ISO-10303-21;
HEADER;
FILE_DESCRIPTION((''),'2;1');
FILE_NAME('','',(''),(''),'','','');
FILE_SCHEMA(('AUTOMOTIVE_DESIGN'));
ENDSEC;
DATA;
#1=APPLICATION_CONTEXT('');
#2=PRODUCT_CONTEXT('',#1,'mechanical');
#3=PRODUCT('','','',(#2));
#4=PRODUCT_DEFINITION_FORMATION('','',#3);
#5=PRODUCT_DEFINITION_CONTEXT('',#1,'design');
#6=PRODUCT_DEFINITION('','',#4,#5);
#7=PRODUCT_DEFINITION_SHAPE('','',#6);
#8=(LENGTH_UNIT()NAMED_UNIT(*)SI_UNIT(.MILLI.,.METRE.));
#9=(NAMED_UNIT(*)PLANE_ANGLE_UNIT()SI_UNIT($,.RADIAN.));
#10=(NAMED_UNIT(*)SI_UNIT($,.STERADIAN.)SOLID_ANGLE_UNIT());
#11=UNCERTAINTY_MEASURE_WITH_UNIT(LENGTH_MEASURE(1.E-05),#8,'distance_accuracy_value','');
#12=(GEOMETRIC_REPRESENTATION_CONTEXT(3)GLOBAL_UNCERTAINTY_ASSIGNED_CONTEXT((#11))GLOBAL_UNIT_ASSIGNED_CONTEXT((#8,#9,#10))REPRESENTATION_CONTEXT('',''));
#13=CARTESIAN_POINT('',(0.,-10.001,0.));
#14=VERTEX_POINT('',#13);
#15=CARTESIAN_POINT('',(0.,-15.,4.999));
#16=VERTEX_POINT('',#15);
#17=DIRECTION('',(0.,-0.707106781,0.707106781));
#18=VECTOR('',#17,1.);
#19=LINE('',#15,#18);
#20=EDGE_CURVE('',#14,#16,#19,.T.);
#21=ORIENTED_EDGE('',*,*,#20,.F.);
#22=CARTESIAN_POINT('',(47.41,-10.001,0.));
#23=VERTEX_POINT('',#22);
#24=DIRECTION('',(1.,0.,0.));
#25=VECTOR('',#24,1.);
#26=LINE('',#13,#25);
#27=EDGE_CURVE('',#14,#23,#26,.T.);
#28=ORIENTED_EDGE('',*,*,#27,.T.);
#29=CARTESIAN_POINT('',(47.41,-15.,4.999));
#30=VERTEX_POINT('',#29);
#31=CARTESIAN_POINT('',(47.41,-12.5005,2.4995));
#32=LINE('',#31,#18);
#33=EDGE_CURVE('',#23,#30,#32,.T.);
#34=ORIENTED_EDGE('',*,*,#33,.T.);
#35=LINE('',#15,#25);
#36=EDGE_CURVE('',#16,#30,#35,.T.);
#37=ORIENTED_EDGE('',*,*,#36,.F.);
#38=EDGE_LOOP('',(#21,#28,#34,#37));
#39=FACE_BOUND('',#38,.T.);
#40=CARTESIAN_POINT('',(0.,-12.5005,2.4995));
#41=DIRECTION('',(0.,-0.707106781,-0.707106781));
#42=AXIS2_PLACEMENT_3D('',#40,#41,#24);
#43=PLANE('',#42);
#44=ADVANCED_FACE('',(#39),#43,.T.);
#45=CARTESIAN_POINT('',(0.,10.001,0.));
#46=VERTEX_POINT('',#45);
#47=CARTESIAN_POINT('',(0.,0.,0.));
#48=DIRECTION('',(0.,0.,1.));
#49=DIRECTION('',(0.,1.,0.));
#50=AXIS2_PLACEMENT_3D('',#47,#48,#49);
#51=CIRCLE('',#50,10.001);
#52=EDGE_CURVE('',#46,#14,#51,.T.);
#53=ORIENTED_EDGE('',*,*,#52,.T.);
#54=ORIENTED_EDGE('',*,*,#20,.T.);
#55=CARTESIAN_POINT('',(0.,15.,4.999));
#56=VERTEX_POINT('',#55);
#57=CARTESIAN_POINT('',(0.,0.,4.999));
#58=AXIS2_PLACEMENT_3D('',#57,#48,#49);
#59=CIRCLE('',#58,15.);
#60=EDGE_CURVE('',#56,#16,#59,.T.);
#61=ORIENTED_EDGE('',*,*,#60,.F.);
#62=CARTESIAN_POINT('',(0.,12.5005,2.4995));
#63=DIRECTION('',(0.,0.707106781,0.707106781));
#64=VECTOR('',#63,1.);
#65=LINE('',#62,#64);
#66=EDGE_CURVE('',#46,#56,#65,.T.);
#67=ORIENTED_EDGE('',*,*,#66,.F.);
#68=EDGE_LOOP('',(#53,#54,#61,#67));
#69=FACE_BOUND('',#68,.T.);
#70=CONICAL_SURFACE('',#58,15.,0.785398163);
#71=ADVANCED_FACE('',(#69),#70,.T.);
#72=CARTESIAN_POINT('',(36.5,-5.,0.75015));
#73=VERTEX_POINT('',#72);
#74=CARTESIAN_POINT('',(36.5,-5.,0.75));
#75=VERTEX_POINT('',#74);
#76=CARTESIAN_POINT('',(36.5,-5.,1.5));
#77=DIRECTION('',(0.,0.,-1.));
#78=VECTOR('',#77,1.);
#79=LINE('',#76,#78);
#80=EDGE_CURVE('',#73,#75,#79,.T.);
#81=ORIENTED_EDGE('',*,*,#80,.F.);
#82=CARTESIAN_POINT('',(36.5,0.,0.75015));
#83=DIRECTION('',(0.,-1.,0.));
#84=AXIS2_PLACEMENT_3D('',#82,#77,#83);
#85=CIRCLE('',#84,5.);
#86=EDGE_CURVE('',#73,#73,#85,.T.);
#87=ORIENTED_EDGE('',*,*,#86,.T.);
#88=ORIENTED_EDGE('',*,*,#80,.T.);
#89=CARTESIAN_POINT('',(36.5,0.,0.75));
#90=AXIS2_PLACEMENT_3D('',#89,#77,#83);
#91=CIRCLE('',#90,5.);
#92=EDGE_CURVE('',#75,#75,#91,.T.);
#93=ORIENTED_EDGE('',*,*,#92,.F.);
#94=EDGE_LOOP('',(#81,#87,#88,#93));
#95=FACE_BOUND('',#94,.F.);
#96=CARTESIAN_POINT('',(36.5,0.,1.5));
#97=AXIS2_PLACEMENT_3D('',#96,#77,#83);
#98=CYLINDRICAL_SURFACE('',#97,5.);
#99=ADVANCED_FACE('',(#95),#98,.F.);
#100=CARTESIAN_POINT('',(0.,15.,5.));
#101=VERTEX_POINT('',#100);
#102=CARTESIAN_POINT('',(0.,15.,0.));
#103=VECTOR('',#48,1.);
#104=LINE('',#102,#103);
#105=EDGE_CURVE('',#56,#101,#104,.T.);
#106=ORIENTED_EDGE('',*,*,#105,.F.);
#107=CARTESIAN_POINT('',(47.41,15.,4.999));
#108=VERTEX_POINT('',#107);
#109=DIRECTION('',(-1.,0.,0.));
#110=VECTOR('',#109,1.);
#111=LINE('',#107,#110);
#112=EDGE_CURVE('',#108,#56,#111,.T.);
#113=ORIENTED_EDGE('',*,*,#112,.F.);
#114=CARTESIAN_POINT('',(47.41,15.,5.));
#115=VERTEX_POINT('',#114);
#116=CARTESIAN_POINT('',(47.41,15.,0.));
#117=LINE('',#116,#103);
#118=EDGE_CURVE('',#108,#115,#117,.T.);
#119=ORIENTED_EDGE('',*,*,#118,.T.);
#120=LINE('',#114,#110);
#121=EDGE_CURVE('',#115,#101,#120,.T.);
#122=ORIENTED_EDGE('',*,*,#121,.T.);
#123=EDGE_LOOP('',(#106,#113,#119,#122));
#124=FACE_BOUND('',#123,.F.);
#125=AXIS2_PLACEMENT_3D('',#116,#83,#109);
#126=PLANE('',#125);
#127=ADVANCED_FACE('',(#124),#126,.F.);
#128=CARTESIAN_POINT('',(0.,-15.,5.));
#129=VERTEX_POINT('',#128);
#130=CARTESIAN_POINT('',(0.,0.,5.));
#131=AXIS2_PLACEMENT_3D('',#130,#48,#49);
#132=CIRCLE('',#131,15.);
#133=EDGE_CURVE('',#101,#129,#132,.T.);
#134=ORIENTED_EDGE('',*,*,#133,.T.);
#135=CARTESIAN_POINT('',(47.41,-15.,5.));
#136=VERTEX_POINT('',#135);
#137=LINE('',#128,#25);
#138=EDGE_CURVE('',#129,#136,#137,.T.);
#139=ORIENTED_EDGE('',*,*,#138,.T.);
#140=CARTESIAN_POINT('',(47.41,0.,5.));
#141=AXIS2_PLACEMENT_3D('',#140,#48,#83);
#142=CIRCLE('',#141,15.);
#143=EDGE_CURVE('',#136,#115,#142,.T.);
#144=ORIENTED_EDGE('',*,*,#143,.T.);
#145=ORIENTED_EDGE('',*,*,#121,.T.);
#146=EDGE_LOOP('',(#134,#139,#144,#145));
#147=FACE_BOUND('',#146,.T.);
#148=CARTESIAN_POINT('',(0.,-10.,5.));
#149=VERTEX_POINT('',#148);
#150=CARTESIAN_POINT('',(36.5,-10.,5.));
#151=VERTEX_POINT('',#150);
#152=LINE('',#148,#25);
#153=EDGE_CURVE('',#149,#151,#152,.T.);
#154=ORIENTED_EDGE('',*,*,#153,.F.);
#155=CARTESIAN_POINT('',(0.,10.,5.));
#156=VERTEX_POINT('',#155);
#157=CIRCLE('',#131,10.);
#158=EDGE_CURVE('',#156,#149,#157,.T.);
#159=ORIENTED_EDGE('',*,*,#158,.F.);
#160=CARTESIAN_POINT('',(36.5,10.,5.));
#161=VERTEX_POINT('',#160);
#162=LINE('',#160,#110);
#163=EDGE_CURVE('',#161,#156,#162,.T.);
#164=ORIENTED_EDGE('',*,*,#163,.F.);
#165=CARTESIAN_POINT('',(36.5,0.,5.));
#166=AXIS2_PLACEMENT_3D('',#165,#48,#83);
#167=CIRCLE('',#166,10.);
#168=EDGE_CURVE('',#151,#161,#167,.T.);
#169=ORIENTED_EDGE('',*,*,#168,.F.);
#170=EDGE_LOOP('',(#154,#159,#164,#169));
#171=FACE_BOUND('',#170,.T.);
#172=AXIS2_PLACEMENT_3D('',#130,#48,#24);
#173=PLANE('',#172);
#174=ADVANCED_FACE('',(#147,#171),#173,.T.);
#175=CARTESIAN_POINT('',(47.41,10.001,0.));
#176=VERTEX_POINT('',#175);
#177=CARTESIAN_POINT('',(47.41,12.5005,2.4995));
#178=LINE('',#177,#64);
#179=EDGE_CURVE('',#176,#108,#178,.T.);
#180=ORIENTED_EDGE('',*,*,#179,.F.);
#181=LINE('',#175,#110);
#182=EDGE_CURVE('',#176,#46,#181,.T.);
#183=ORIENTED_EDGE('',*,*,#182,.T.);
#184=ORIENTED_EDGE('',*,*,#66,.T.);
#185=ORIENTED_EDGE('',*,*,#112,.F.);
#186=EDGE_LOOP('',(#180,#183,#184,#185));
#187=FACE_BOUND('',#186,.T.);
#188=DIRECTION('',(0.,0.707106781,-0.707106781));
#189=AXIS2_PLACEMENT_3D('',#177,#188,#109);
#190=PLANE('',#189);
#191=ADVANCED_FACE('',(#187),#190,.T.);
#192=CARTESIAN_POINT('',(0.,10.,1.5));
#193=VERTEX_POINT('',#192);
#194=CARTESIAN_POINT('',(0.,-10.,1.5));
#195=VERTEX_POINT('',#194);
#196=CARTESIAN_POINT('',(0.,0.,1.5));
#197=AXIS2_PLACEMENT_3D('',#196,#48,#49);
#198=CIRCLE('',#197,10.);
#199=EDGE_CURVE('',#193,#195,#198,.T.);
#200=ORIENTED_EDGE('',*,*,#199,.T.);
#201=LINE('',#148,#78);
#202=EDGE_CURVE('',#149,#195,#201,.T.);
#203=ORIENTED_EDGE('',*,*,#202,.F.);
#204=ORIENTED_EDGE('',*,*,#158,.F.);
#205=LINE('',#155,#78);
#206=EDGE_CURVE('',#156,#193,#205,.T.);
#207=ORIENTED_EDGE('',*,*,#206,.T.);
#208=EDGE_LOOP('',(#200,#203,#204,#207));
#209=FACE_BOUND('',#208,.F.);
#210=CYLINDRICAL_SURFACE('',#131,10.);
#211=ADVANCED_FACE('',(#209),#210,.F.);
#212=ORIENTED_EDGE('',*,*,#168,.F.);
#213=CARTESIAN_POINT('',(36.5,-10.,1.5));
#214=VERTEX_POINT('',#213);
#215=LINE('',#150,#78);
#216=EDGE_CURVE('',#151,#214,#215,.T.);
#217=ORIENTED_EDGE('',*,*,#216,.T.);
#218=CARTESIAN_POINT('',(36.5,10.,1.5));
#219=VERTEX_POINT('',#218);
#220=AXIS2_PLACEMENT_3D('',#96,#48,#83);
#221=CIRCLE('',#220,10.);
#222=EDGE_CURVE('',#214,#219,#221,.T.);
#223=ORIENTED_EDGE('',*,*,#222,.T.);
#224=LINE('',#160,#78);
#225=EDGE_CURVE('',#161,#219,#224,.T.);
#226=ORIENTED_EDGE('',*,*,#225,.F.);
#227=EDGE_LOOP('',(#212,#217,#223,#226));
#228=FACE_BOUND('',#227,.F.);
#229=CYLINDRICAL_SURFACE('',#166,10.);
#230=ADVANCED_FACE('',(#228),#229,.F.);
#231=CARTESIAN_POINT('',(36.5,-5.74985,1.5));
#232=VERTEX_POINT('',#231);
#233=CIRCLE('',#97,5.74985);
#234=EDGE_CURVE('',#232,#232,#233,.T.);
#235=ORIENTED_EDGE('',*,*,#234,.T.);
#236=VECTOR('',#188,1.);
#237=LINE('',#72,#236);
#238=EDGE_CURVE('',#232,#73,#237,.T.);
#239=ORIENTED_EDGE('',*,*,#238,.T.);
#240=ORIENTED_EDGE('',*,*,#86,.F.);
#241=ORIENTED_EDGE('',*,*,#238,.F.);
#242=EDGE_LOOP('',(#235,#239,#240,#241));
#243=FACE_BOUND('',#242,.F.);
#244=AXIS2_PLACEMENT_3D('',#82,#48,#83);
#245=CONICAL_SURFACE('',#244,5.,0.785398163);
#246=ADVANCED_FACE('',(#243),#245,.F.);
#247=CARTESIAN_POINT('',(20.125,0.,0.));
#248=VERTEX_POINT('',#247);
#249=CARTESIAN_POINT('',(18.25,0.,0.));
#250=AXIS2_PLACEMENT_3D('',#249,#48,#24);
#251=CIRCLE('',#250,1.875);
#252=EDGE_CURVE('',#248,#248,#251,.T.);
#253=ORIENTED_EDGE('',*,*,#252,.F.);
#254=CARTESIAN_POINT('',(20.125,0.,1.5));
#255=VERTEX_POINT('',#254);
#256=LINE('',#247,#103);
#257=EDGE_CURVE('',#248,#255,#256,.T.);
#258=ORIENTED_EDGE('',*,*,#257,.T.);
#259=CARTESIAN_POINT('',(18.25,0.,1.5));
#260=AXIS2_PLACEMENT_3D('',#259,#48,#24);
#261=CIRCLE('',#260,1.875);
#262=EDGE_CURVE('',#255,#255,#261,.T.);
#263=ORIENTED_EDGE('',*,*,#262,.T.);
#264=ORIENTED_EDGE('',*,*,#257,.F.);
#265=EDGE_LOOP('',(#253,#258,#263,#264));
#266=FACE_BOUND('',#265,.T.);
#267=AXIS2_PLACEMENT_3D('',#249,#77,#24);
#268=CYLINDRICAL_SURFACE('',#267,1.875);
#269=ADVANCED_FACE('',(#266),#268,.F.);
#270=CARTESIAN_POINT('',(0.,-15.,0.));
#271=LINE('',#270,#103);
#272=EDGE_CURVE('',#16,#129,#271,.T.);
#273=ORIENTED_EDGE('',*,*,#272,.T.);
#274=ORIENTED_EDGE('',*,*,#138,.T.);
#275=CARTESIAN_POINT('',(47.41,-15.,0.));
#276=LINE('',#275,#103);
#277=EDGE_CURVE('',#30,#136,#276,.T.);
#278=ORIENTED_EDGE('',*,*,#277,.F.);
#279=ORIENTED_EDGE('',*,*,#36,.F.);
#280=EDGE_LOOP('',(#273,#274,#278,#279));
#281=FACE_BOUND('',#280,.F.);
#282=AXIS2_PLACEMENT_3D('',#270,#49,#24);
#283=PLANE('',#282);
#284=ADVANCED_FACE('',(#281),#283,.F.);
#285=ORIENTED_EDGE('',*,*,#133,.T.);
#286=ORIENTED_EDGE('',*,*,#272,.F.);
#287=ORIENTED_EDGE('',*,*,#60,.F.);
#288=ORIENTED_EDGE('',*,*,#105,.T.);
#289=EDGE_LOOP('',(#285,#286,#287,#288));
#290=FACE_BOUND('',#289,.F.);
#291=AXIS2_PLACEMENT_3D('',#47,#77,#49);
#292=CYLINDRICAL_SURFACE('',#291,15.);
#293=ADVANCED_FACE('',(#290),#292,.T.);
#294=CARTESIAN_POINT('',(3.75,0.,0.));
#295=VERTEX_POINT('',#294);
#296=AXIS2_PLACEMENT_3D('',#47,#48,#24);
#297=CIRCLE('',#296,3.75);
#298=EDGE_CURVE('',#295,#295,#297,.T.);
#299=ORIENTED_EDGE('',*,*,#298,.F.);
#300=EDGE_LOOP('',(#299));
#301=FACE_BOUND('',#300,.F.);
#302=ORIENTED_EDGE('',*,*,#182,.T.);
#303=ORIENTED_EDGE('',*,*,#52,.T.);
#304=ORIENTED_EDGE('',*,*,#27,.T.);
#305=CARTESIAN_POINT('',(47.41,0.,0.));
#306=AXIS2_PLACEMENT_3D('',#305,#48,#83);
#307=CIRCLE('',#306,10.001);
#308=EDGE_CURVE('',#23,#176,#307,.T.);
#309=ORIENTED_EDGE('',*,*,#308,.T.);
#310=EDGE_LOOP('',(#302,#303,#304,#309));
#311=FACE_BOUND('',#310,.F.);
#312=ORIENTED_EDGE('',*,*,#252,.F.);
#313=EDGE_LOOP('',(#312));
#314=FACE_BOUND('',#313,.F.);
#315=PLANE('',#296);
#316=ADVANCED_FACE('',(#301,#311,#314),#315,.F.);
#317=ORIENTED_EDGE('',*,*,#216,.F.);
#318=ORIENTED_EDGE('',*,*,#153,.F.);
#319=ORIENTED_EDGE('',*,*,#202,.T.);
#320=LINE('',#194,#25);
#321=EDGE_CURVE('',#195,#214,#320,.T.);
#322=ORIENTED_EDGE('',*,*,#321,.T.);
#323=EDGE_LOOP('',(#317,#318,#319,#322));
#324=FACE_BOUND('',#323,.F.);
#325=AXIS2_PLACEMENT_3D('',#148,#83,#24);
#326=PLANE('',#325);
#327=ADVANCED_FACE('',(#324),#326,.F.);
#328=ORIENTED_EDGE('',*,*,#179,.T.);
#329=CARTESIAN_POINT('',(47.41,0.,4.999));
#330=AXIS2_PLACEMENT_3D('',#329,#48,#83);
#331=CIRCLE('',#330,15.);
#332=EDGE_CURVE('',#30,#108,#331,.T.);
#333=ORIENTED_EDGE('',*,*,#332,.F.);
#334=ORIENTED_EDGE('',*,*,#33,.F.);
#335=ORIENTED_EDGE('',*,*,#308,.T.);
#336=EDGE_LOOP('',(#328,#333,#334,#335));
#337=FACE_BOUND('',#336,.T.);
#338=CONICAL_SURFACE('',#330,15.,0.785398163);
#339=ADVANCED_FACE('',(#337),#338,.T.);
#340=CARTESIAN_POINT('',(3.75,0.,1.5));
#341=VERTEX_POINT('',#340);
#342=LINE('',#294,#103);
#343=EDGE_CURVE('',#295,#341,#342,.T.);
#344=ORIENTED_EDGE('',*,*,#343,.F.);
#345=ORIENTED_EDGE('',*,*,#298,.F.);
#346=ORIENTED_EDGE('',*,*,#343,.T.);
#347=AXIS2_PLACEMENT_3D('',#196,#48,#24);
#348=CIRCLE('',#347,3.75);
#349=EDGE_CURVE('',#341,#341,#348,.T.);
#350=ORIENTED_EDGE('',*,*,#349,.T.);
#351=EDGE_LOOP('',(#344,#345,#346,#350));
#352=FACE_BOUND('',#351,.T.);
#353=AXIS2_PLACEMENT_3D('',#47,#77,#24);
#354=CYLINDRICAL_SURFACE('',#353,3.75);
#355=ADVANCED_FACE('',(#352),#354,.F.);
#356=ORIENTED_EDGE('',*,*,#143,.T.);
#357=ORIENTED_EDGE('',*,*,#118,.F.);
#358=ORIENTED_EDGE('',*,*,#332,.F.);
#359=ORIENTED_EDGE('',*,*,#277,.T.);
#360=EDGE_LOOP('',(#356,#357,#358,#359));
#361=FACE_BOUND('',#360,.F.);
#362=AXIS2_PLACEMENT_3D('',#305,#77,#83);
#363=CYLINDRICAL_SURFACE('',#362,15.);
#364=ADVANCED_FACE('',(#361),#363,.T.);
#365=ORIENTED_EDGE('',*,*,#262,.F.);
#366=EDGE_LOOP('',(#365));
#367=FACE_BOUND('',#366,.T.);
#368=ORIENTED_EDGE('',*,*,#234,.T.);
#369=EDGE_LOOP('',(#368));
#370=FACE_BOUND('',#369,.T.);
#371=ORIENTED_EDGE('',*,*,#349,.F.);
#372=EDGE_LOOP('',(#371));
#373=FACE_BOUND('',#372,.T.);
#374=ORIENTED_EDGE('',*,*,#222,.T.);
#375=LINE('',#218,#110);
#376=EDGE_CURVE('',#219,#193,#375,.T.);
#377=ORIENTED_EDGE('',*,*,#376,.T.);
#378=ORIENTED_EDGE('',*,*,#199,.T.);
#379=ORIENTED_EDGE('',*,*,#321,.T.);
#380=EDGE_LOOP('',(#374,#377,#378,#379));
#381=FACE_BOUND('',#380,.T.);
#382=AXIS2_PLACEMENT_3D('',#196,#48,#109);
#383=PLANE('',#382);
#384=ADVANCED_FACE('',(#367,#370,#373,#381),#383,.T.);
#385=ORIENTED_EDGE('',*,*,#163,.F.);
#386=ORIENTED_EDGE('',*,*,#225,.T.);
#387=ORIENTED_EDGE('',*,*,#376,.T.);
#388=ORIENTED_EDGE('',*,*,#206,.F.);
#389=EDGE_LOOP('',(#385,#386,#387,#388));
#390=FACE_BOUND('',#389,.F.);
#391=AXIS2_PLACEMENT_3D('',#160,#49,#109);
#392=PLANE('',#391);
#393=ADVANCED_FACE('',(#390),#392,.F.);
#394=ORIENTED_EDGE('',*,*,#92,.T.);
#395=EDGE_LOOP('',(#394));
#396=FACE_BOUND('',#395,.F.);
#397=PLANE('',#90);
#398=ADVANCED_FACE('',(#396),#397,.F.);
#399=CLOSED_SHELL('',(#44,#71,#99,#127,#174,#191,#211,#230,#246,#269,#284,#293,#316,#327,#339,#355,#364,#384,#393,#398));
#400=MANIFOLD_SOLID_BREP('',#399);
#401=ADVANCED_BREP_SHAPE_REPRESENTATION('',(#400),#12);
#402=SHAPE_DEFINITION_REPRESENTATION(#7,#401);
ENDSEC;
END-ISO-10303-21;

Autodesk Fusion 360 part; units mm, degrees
sketch "Esboço1" plane through (0, 0, 0) normal (0, 0, 1) x (1, 0, 0)
  line L0 (0, -15) -> (47.41, -15)
  arc A0 (47.41, -15) -> (47.41, 15) centre (47.41, 0) ccw
  line L1 (47.41, 15) -> (0, 15)
  arc A1 (0, 15) -> (0, -15) centre (0, 0) ccw
  line L2 (0, 0) -> (47.41, 0) construction
  line L3 (-15, 0) -> (62.41, 0) construction
  circle A2 centre (0, 0) radius 3.75
  circle A3 centre (18.25, 0) radius 1.875
  dimension "d1" = 15
  dimension "d4" = 77.41
  dimension "d5" = 7.5
  dimension "d6" = 18.25
  dimension "d7" = 3.75
extrude "Extrusão1" add sketch "Esboço1" along normal blind 5
sketch "Esboço2" plane through (0, 0, 5) normal (0, 0, 1) x (-1, 0, 0)
  circle A0 centre (-18.25, 0) radius 1.875
  circle A1 centre (0, 0) radius 3.75
  arc A2 (0, -15) -> (0, 15) centre (0, 0) ccw
  line L0 (0, 15) -> (-47.41, 15)
  arc A3 (-47.41, 15) -> (-47.41, -15) centre (-47.41, 0) ccw
  line L1 (-47.41, -15) -> (0, -15)
  line L2 (0, 10) -> (-36.5, 10)
  arc A4 (-36.5, 10) -> (-36.5, -10) centre (-36.5, 0) ccw
  line L3 (-36.5, -10) -> (0, -10)
  arc A5 (0, -10) -> (0, 10) centre (0, 0) ccw
  line L4 (0, 0) -> (-36.5, 0) construction
  dimension "d10" = 36.5
  dimension "d11" = 10
extrude "Extrusão2" cut sketch "Esboço2" against normal blind 3.5 contours L2 A4 L3 A5
hole "Furo1" at (36.5, 0, 1.5) direction (0, 0, -1) diameter 10 depth 0.75 tip angle 180
chamfer "Chanfro1" distance 0.75 angle 45 1 edges at (31.8384, 1.8081, 1.5)
chamfer "Chanfro2" distance 5 angle 45 4 edges at (23.705, 15, 0) (-15, 0, 0) (23.705, -15, 0) (62.41, 0, 0)
